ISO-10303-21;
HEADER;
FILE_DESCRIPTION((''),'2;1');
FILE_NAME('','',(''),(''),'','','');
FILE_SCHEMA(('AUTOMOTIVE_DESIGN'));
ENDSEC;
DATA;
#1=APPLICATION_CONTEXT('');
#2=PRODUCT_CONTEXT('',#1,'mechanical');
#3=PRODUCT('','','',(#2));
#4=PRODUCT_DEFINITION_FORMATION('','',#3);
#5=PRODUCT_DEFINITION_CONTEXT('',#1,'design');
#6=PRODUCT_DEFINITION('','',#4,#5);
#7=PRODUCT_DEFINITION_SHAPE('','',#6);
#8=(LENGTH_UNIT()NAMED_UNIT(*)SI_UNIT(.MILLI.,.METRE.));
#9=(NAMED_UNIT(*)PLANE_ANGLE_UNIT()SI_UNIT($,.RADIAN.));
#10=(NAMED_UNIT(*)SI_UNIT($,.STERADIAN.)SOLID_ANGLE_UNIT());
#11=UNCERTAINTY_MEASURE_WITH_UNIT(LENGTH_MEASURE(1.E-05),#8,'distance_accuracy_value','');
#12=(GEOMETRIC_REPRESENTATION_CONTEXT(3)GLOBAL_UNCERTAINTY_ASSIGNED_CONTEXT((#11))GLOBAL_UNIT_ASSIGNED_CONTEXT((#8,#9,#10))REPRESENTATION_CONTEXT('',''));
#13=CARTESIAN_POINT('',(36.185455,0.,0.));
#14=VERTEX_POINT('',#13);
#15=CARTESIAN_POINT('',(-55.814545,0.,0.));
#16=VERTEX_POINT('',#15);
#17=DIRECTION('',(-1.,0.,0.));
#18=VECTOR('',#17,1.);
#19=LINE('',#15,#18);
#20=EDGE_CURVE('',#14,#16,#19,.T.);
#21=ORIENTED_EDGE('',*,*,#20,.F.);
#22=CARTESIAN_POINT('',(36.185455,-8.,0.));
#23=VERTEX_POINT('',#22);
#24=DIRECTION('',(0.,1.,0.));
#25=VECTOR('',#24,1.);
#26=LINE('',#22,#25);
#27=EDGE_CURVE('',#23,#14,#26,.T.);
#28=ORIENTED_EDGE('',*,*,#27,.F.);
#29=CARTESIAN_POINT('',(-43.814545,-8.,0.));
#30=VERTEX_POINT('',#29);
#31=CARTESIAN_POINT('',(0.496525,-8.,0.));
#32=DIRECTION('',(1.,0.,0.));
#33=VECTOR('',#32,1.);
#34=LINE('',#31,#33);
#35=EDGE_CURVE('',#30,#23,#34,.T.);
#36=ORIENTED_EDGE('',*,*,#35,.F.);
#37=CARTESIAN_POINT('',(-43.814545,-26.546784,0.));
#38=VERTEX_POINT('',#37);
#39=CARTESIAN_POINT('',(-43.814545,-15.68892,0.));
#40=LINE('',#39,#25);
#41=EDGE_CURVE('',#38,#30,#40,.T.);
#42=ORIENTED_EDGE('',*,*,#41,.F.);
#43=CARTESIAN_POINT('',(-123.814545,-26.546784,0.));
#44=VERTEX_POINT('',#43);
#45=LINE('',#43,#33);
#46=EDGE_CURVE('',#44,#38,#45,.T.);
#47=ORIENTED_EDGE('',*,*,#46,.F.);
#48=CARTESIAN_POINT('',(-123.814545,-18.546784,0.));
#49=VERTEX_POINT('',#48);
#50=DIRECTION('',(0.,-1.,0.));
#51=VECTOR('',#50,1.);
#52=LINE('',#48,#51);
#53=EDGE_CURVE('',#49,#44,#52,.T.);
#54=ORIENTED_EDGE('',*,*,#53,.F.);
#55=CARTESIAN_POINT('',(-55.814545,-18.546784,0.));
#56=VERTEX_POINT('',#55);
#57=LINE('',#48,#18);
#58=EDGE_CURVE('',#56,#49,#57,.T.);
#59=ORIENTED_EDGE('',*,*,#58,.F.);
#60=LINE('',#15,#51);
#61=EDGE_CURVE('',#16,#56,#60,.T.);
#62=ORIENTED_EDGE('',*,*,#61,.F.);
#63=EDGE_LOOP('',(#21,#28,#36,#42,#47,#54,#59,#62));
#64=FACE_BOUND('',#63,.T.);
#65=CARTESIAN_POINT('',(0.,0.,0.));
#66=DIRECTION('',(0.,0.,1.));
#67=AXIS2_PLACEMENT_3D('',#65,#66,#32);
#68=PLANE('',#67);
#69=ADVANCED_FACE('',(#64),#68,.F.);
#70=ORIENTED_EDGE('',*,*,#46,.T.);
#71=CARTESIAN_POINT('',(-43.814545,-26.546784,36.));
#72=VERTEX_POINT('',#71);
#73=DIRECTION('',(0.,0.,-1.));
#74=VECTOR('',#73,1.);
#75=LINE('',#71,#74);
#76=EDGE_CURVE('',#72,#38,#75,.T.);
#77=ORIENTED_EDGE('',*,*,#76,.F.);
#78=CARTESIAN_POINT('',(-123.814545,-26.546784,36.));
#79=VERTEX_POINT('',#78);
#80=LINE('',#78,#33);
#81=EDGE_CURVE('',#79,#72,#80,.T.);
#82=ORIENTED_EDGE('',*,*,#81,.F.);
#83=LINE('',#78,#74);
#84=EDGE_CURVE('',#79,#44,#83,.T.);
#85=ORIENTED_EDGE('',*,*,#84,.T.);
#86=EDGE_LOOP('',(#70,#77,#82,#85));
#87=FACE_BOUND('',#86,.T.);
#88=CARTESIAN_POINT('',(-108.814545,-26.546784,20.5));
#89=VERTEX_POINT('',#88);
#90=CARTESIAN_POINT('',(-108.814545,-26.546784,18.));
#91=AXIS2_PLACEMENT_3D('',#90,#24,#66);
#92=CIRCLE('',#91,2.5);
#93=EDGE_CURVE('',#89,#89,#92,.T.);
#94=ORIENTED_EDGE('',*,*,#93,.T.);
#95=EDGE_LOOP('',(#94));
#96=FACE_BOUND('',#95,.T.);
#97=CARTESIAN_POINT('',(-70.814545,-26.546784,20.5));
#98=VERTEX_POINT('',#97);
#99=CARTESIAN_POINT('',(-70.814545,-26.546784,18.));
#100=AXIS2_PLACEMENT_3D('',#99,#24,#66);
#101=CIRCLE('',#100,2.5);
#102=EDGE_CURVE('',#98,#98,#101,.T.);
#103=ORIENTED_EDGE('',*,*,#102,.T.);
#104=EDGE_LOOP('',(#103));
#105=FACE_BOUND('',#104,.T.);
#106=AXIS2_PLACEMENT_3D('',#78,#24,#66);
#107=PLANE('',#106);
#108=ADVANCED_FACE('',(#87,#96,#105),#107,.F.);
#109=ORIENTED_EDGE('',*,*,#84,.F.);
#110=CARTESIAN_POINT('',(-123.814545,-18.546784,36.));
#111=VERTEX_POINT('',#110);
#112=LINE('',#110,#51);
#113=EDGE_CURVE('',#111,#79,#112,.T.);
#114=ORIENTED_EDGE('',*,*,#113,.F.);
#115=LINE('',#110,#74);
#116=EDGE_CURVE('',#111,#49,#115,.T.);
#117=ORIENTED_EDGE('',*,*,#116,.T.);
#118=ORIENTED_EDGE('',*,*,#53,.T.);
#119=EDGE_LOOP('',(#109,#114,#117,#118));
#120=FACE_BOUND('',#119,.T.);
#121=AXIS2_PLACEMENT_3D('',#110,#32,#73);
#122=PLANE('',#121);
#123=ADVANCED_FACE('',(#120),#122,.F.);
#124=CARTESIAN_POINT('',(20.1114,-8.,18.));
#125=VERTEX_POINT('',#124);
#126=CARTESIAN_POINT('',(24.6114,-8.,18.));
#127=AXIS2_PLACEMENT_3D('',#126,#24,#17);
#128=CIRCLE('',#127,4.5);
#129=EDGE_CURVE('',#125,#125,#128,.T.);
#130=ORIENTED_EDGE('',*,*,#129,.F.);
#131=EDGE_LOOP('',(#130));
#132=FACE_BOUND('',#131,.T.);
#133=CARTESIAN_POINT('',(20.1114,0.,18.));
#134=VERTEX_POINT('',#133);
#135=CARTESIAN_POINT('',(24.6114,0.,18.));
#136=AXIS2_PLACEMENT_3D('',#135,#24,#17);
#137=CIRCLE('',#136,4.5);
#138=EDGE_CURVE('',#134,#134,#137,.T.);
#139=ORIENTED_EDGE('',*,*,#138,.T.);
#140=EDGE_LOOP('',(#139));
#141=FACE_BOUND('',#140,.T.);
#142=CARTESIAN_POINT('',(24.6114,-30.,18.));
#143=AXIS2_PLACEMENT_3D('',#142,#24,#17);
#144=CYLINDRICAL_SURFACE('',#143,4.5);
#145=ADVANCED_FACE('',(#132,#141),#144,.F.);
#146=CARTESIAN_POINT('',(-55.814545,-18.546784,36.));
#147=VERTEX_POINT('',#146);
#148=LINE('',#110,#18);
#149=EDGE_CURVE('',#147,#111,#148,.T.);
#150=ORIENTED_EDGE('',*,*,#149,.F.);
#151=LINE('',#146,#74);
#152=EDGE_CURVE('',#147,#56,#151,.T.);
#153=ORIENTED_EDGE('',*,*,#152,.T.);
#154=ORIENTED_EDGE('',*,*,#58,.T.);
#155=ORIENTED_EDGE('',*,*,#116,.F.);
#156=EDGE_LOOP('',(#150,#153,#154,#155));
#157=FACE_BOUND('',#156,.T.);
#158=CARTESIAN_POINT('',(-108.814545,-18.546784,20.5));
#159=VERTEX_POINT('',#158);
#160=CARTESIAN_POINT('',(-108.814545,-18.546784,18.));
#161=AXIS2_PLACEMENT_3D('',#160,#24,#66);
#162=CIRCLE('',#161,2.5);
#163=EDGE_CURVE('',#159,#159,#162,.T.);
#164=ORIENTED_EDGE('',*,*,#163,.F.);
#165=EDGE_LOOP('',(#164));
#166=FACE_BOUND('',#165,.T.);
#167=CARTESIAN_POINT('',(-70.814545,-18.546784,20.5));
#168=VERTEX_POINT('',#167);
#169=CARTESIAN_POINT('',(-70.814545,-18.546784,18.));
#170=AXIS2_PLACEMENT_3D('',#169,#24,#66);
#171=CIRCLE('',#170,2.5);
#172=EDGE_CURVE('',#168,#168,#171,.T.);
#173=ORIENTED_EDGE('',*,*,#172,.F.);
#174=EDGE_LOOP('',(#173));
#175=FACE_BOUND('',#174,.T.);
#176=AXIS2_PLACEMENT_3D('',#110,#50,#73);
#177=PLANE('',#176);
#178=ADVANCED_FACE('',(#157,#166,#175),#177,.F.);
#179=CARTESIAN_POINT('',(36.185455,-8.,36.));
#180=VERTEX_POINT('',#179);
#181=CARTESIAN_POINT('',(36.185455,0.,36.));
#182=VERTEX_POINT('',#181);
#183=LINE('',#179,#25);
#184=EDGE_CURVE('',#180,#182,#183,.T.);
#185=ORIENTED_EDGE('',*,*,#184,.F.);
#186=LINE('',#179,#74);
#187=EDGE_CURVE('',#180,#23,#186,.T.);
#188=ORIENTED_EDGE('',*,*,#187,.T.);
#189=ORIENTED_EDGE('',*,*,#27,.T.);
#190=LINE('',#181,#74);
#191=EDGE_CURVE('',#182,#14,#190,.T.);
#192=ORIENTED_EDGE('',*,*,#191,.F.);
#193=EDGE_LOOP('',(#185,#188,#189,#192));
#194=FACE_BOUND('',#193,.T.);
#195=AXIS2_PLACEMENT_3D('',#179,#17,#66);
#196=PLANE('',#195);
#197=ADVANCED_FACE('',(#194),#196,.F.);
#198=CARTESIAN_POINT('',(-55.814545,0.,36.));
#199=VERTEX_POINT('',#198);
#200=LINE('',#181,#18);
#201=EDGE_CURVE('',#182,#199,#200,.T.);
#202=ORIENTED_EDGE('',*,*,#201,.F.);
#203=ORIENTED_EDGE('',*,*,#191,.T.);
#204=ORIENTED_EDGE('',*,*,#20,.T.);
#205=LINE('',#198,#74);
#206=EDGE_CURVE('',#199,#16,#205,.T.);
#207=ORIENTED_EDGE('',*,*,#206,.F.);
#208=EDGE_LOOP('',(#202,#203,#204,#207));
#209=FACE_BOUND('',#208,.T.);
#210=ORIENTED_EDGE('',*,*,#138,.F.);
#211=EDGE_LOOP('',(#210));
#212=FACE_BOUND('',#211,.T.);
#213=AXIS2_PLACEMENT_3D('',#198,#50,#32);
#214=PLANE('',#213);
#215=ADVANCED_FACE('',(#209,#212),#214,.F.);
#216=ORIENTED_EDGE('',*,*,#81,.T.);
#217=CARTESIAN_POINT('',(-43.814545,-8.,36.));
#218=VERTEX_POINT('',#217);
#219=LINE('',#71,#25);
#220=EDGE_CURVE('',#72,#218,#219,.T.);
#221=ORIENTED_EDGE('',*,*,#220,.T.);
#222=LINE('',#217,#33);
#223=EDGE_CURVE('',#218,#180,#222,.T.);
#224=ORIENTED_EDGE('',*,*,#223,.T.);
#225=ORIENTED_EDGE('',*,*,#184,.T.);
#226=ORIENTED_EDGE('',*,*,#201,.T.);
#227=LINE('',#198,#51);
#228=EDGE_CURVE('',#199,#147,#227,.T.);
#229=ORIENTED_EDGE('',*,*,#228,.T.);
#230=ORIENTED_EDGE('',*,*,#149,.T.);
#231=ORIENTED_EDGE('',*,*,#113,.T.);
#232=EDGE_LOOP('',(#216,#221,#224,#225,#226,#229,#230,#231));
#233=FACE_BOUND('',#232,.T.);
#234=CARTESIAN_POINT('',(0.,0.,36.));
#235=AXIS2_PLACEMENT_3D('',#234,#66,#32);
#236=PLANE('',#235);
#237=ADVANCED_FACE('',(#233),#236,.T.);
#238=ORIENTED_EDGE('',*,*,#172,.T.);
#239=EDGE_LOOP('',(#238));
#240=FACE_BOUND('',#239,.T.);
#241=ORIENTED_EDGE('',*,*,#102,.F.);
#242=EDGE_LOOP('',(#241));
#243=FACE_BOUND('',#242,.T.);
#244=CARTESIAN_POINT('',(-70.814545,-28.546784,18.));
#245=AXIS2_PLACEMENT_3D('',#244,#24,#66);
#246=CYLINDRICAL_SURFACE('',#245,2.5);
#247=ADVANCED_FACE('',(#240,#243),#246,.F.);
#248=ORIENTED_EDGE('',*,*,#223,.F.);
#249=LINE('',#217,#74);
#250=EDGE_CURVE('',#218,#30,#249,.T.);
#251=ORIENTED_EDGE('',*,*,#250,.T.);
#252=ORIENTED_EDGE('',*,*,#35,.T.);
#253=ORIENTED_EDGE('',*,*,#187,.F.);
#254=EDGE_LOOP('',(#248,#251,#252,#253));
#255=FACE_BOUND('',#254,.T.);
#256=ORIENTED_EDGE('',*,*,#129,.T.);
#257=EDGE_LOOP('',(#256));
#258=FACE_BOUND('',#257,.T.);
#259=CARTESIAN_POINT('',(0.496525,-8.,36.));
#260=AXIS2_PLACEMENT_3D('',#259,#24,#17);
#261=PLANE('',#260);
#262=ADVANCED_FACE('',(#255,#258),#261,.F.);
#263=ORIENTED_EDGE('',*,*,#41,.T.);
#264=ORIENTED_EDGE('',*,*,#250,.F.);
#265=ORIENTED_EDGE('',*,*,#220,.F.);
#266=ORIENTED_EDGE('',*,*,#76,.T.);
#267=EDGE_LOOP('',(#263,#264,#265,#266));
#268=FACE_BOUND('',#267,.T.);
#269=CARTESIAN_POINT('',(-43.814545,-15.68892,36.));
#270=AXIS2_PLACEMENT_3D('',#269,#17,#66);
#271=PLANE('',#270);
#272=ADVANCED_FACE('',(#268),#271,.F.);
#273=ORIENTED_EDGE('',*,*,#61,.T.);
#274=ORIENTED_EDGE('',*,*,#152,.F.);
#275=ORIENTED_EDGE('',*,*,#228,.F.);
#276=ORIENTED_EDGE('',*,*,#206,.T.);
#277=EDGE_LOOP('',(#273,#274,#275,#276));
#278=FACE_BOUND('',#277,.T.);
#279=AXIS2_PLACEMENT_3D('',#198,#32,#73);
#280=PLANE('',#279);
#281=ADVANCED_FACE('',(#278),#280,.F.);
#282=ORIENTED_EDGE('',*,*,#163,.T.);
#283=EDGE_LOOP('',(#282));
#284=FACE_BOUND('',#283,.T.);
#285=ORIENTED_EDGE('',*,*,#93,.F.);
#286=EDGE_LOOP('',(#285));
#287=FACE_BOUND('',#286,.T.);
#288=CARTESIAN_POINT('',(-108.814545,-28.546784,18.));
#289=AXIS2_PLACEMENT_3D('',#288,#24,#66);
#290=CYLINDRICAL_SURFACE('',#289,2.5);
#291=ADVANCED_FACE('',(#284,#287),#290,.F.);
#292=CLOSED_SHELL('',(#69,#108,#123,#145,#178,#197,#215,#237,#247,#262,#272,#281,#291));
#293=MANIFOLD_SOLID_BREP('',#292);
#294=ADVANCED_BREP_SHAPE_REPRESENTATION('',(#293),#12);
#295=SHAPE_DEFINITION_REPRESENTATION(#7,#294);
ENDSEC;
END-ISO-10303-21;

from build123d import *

# Parameters (mm, degrees)
BOSS_EXTRUDE1_DEPTH = 36
SKETCH2_R           = 4.5
CUT_EXTRUDE1_DEPTH  = 30
SKETCH3_R           = 2.5
CUT_EXTRUDE2_DEPTH  = 10


with BuildPart() as part:
    # Sketch1 → Boss-Extrude1 (new body)
    with BuildSketch(Plane.XY):
        Polygon((-123.814545152, -26.546784039), (-43.814545152, -26.546784039), (-43.814545152, -15.688919663), (-43.814545152, -8), (-29.603926395, -8), (0.496524767, -8), (36.185454848, -8), (36.185454848, 0), (-33.18939726, 0), (-55.814545152, 0), (-55.814545152, -18.546784039), (-123.814545152, -18.546784039), align=None)
    extrude(amount=BOSS_EXTRUDE1_DEPTH)

    # Sketch2 → Cut-Extrude1 (cut)
    with BuildSketch(Plane(origin=(0, 0, 0), x_dir=(1, 0, 0), z_dir=(0, 1, 0))):
        with Locations(Location((24.611399957, -18, 0), (0, 0, 180))):
            Circle(SKETCH2_R)
    extrude(amount=-CUT_EXTRUDE1_DEPTH, mode=Mode.SUBTRACT)

    # Sketch3 → Cut-Extrude2 (cut)
    with BuildSketch(Plane(origin=(0, -18.546784039, 0), x_dir=(1, 0, 0), z_dir=(0, 1, 0))):
        with Locations(Location((-108.814545152, -18, 0), (0, 0, 270))):
            Circle(SKETCH3_R)
        with Locations(Location((-70.814545152, -18, 0), (0, 0, 270))):
            Circle(SKETCH3_R)
    extrude(amount=-CUT_EXTRUDE2_DEPTH, mode=Mode.SUBTRACT)


solid = part.part
